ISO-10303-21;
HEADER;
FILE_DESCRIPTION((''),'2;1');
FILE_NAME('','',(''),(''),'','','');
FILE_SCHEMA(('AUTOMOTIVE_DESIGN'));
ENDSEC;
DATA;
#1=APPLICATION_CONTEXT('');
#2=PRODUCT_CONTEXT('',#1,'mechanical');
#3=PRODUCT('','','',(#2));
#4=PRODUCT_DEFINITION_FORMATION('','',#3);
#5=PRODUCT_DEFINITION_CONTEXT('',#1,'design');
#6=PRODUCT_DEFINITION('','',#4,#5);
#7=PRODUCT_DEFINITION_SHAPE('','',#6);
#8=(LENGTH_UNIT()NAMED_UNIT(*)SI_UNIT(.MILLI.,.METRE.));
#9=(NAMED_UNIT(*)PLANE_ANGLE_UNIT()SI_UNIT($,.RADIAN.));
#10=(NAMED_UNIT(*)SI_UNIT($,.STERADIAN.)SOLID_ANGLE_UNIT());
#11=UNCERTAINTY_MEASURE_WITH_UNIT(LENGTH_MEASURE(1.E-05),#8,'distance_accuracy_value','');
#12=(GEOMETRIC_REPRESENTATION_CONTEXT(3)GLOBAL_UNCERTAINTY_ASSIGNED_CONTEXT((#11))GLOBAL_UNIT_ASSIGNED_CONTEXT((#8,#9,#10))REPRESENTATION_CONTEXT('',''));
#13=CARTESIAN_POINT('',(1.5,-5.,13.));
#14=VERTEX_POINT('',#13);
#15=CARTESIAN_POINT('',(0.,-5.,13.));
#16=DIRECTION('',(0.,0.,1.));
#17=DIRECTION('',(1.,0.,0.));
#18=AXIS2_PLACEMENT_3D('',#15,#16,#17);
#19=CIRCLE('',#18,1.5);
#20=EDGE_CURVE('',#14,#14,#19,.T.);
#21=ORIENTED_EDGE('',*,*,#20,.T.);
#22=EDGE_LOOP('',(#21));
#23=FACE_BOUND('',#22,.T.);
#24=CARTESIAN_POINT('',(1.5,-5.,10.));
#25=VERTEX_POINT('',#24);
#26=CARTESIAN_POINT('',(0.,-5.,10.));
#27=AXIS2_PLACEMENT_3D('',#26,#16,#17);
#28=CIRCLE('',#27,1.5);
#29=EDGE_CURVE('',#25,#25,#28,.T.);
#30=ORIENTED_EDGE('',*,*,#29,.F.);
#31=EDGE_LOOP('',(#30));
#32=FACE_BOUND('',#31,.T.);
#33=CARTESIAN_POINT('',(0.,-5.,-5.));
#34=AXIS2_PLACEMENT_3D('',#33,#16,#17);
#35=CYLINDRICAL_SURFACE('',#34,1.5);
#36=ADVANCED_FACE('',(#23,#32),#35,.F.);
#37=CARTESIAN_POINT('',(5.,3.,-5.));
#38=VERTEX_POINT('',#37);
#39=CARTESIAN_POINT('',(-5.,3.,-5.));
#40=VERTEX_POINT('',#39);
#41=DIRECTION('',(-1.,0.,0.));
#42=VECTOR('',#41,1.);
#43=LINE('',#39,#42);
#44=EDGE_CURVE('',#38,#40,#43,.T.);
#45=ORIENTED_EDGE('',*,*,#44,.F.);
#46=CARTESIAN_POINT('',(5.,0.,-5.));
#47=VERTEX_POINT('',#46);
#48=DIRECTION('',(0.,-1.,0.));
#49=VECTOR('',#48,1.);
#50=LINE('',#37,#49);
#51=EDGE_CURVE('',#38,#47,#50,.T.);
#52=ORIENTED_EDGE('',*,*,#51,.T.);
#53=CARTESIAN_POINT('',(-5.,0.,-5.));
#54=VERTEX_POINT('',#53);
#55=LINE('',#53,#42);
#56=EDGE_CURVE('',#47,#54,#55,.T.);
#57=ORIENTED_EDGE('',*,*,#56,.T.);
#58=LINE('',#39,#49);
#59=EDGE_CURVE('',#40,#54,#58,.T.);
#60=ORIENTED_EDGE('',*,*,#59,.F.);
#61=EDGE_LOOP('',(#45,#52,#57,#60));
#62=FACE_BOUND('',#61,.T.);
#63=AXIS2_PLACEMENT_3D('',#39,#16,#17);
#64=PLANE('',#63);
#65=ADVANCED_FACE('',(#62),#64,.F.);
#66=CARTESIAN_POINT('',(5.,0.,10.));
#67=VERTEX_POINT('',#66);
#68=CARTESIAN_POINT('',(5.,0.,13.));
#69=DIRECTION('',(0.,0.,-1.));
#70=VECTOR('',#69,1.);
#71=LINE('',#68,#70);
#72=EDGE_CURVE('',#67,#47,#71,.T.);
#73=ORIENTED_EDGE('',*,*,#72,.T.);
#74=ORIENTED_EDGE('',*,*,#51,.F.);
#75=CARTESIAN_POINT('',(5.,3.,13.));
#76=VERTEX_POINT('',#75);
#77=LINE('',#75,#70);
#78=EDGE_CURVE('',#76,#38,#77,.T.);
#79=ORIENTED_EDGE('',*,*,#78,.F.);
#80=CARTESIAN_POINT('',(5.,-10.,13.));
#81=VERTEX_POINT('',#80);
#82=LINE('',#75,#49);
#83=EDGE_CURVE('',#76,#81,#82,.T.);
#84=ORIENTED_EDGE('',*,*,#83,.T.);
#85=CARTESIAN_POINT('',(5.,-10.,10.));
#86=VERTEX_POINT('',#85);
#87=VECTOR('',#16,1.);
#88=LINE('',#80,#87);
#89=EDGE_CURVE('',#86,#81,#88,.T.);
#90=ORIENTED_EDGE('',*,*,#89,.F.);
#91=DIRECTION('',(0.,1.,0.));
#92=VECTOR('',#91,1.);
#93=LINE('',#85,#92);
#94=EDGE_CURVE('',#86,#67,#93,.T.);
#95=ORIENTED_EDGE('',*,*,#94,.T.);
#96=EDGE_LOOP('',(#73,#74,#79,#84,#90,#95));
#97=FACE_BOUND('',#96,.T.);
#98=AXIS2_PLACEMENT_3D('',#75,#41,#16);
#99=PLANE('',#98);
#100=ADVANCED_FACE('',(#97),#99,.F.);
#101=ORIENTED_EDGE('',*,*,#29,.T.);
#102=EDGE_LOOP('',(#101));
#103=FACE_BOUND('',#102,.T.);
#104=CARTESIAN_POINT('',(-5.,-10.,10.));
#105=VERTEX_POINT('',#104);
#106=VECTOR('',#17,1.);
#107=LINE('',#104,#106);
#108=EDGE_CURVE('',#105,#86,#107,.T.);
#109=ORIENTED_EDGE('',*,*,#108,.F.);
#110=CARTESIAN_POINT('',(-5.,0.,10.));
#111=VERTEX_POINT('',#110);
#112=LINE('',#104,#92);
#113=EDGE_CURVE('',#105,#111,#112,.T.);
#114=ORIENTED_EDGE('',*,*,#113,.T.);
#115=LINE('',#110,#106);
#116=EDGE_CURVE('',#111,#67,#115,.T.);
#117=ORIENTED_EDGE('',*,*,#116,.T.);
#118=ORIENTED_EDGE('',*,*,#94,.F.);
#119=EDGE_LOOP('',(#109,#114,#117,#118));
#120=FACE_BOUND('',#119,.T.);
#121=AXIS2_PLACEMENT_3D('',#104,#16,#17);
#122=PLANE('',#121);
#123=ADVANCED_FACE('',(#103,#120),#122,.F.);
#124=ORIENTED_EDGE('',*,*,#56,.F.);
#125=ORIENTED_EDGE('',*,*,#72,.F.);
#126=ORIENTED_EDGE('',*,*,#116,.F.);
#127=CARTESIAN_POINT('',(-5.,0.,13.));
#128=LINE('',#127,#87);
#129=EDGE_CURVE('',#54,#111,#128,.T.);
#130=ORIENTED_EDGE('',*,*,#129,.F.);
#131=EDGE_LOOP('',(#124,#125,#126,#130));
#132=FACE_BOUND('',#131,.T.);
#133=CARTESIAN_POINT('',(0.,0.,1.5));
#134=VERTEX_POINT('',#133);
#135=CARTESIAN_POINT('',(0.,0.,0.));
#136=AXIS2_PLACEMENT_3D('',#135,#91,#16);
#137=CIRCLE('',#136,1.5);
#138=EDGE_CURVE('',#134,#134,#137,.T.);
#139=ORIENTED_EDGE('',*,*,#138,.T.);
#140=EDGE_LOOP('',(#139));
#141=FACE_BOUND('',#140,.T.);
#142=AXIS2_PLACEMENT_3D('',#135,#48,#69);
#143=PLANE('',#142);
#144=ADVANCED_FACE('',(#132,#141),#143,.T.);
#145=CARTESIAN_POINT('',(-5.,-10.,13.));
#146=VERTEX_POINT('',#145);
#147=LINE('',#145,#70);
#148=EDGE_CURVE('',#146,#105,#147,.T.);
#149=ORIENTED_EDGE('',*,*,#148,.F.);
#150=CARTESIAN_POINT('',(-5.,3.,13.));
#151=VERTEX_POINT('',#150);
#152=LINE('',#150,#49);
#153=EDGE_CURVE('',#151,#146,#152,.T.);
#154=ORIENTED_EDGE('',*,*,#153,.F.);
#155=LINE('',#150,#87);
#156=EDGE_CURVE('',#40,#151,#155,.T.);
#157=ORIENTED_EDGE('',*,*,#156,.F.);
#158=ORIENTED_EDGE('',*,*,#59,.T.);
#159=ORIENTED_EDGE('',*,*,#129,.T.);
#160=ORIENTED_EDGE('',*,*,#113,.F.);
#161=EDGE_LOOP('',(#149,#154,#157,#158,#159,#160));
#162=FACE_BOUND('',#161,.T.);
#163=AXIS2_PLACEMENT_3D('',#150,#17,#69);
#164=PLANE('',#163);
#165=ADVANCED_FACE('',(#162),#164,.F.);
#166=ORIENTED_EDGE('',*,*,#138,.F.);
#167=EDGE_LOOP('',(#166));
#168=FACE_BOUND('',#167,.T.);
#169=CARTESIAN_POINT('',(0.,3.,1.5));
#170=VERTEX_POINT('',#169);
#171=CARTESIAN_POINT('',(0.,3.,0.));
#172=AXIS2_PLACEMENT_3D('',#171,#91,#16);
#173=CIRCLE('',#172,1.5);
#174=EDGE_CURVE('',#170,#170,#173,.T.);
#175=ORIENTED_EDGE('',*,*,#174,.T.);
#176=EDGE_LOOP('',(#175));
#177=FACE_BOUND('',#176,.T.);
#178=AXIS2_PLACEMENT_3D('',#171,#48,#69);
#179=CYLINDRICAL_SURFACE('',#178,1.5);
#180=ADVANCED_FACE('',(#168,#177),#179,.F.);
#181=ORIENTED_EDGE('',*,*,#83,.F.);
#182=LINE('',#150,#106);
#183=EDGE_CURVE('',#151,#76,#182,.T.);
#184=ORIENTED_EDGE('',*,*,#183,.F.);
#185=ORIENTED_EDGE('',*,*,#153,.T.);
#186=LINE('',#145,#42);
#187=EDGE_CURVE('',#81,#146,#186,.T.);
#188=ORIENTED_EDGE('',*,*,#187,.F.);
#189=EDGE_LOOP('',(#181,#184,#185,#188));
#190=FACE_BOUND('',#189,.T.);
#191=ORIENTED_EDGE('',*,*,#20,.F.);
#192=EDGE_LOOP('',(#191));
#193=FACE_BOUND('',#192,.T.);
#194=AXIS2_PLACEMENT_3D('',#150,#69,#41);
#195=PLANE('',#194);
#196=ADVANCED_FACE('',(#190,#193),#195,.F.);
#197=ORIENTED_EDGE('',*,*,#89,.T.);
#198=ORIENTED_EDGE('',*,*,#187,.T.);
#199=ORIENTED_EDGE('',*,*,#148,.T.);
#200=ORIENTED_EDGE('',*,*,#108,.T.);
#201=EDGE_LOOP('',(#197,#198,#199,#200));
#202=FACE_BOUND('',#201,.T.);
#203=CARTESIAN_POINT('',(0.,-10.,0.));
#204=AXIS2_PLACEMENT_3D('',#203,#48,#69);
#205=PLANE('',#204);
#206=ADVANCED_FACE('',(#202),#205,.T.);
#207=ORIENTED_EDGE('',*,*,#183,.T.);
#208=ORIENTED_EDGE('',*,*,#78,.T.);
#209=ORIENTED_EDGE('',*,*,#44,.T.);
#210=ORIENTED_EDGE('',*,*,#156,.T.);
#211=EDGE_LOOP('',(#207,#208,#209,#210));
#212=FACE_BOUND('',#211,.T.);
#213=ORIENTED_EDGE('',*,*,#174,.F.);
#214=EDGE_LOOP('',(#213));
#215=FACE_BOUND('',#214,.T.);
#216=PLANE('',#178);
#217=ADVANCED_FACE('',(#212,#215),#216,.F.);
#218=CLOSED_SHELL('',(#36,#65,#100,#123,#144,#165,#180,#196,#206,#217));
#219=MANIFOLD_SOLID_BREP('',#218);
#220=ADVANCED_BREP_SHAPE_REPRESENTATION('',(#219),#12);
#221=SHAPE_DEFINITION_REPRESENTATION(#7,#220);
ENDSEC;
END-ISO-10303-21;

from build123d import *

# Parameters (mm, degrees)
SKETCH1_W           = 10
SKETCH1_H           = 18
SKETCH1_R           = 1.5
BOSS_EXTRUDE1_DEPTH = 3
SKETCH2_W           = 10
SKETCH2_H           = 3
BOSS_EXTRUDE2_DEPTH = 10
SKETCH3_R           = 1.5
CUT_EXTRUDE1_DEPTH  = 22.1896201


with BuildPart() as part:
    # Sketch1 → Boss-Extrude1 (new body)
    with BuildSketch(Plane(origin=(0, 0, 0), x_dir=(1, 0, 0), z_dir=(0, 1, 0))):
        with Locations((0, -4)):
            Rectangle(SKETCH1_W, SKETCH1_H)
        with Locations(Location((0, 0, 0), (0, 0, 270))):
            Circle(SKETCH1_R, mode=Mode.SUBTRACT)
    extrude(amount=BOSS_EXTRUDE1_DEPTH)

    # Sketch2 → Boss-Extrude2 (add)
    with BuildSketch(Plane.XZ):
        with Locations((0, 11.5)):
            Rectangle(SKETCH2_W, SKETCH2_H)
    extrude(amount=BOSS_EXTRUDE2_DEPTH)

    # Sketch3 → Cut-Extrude1 (cut, through all)
    with BuildSketch(Plane.XY.offset(13)):
        with Locations((0, -5)):
            Circle(SKETCH3_R)
    extrude(amount=-CUT_EXTRUDE1_DEPTH, mode=Mode.SUBTRACT)


solid = part.part
